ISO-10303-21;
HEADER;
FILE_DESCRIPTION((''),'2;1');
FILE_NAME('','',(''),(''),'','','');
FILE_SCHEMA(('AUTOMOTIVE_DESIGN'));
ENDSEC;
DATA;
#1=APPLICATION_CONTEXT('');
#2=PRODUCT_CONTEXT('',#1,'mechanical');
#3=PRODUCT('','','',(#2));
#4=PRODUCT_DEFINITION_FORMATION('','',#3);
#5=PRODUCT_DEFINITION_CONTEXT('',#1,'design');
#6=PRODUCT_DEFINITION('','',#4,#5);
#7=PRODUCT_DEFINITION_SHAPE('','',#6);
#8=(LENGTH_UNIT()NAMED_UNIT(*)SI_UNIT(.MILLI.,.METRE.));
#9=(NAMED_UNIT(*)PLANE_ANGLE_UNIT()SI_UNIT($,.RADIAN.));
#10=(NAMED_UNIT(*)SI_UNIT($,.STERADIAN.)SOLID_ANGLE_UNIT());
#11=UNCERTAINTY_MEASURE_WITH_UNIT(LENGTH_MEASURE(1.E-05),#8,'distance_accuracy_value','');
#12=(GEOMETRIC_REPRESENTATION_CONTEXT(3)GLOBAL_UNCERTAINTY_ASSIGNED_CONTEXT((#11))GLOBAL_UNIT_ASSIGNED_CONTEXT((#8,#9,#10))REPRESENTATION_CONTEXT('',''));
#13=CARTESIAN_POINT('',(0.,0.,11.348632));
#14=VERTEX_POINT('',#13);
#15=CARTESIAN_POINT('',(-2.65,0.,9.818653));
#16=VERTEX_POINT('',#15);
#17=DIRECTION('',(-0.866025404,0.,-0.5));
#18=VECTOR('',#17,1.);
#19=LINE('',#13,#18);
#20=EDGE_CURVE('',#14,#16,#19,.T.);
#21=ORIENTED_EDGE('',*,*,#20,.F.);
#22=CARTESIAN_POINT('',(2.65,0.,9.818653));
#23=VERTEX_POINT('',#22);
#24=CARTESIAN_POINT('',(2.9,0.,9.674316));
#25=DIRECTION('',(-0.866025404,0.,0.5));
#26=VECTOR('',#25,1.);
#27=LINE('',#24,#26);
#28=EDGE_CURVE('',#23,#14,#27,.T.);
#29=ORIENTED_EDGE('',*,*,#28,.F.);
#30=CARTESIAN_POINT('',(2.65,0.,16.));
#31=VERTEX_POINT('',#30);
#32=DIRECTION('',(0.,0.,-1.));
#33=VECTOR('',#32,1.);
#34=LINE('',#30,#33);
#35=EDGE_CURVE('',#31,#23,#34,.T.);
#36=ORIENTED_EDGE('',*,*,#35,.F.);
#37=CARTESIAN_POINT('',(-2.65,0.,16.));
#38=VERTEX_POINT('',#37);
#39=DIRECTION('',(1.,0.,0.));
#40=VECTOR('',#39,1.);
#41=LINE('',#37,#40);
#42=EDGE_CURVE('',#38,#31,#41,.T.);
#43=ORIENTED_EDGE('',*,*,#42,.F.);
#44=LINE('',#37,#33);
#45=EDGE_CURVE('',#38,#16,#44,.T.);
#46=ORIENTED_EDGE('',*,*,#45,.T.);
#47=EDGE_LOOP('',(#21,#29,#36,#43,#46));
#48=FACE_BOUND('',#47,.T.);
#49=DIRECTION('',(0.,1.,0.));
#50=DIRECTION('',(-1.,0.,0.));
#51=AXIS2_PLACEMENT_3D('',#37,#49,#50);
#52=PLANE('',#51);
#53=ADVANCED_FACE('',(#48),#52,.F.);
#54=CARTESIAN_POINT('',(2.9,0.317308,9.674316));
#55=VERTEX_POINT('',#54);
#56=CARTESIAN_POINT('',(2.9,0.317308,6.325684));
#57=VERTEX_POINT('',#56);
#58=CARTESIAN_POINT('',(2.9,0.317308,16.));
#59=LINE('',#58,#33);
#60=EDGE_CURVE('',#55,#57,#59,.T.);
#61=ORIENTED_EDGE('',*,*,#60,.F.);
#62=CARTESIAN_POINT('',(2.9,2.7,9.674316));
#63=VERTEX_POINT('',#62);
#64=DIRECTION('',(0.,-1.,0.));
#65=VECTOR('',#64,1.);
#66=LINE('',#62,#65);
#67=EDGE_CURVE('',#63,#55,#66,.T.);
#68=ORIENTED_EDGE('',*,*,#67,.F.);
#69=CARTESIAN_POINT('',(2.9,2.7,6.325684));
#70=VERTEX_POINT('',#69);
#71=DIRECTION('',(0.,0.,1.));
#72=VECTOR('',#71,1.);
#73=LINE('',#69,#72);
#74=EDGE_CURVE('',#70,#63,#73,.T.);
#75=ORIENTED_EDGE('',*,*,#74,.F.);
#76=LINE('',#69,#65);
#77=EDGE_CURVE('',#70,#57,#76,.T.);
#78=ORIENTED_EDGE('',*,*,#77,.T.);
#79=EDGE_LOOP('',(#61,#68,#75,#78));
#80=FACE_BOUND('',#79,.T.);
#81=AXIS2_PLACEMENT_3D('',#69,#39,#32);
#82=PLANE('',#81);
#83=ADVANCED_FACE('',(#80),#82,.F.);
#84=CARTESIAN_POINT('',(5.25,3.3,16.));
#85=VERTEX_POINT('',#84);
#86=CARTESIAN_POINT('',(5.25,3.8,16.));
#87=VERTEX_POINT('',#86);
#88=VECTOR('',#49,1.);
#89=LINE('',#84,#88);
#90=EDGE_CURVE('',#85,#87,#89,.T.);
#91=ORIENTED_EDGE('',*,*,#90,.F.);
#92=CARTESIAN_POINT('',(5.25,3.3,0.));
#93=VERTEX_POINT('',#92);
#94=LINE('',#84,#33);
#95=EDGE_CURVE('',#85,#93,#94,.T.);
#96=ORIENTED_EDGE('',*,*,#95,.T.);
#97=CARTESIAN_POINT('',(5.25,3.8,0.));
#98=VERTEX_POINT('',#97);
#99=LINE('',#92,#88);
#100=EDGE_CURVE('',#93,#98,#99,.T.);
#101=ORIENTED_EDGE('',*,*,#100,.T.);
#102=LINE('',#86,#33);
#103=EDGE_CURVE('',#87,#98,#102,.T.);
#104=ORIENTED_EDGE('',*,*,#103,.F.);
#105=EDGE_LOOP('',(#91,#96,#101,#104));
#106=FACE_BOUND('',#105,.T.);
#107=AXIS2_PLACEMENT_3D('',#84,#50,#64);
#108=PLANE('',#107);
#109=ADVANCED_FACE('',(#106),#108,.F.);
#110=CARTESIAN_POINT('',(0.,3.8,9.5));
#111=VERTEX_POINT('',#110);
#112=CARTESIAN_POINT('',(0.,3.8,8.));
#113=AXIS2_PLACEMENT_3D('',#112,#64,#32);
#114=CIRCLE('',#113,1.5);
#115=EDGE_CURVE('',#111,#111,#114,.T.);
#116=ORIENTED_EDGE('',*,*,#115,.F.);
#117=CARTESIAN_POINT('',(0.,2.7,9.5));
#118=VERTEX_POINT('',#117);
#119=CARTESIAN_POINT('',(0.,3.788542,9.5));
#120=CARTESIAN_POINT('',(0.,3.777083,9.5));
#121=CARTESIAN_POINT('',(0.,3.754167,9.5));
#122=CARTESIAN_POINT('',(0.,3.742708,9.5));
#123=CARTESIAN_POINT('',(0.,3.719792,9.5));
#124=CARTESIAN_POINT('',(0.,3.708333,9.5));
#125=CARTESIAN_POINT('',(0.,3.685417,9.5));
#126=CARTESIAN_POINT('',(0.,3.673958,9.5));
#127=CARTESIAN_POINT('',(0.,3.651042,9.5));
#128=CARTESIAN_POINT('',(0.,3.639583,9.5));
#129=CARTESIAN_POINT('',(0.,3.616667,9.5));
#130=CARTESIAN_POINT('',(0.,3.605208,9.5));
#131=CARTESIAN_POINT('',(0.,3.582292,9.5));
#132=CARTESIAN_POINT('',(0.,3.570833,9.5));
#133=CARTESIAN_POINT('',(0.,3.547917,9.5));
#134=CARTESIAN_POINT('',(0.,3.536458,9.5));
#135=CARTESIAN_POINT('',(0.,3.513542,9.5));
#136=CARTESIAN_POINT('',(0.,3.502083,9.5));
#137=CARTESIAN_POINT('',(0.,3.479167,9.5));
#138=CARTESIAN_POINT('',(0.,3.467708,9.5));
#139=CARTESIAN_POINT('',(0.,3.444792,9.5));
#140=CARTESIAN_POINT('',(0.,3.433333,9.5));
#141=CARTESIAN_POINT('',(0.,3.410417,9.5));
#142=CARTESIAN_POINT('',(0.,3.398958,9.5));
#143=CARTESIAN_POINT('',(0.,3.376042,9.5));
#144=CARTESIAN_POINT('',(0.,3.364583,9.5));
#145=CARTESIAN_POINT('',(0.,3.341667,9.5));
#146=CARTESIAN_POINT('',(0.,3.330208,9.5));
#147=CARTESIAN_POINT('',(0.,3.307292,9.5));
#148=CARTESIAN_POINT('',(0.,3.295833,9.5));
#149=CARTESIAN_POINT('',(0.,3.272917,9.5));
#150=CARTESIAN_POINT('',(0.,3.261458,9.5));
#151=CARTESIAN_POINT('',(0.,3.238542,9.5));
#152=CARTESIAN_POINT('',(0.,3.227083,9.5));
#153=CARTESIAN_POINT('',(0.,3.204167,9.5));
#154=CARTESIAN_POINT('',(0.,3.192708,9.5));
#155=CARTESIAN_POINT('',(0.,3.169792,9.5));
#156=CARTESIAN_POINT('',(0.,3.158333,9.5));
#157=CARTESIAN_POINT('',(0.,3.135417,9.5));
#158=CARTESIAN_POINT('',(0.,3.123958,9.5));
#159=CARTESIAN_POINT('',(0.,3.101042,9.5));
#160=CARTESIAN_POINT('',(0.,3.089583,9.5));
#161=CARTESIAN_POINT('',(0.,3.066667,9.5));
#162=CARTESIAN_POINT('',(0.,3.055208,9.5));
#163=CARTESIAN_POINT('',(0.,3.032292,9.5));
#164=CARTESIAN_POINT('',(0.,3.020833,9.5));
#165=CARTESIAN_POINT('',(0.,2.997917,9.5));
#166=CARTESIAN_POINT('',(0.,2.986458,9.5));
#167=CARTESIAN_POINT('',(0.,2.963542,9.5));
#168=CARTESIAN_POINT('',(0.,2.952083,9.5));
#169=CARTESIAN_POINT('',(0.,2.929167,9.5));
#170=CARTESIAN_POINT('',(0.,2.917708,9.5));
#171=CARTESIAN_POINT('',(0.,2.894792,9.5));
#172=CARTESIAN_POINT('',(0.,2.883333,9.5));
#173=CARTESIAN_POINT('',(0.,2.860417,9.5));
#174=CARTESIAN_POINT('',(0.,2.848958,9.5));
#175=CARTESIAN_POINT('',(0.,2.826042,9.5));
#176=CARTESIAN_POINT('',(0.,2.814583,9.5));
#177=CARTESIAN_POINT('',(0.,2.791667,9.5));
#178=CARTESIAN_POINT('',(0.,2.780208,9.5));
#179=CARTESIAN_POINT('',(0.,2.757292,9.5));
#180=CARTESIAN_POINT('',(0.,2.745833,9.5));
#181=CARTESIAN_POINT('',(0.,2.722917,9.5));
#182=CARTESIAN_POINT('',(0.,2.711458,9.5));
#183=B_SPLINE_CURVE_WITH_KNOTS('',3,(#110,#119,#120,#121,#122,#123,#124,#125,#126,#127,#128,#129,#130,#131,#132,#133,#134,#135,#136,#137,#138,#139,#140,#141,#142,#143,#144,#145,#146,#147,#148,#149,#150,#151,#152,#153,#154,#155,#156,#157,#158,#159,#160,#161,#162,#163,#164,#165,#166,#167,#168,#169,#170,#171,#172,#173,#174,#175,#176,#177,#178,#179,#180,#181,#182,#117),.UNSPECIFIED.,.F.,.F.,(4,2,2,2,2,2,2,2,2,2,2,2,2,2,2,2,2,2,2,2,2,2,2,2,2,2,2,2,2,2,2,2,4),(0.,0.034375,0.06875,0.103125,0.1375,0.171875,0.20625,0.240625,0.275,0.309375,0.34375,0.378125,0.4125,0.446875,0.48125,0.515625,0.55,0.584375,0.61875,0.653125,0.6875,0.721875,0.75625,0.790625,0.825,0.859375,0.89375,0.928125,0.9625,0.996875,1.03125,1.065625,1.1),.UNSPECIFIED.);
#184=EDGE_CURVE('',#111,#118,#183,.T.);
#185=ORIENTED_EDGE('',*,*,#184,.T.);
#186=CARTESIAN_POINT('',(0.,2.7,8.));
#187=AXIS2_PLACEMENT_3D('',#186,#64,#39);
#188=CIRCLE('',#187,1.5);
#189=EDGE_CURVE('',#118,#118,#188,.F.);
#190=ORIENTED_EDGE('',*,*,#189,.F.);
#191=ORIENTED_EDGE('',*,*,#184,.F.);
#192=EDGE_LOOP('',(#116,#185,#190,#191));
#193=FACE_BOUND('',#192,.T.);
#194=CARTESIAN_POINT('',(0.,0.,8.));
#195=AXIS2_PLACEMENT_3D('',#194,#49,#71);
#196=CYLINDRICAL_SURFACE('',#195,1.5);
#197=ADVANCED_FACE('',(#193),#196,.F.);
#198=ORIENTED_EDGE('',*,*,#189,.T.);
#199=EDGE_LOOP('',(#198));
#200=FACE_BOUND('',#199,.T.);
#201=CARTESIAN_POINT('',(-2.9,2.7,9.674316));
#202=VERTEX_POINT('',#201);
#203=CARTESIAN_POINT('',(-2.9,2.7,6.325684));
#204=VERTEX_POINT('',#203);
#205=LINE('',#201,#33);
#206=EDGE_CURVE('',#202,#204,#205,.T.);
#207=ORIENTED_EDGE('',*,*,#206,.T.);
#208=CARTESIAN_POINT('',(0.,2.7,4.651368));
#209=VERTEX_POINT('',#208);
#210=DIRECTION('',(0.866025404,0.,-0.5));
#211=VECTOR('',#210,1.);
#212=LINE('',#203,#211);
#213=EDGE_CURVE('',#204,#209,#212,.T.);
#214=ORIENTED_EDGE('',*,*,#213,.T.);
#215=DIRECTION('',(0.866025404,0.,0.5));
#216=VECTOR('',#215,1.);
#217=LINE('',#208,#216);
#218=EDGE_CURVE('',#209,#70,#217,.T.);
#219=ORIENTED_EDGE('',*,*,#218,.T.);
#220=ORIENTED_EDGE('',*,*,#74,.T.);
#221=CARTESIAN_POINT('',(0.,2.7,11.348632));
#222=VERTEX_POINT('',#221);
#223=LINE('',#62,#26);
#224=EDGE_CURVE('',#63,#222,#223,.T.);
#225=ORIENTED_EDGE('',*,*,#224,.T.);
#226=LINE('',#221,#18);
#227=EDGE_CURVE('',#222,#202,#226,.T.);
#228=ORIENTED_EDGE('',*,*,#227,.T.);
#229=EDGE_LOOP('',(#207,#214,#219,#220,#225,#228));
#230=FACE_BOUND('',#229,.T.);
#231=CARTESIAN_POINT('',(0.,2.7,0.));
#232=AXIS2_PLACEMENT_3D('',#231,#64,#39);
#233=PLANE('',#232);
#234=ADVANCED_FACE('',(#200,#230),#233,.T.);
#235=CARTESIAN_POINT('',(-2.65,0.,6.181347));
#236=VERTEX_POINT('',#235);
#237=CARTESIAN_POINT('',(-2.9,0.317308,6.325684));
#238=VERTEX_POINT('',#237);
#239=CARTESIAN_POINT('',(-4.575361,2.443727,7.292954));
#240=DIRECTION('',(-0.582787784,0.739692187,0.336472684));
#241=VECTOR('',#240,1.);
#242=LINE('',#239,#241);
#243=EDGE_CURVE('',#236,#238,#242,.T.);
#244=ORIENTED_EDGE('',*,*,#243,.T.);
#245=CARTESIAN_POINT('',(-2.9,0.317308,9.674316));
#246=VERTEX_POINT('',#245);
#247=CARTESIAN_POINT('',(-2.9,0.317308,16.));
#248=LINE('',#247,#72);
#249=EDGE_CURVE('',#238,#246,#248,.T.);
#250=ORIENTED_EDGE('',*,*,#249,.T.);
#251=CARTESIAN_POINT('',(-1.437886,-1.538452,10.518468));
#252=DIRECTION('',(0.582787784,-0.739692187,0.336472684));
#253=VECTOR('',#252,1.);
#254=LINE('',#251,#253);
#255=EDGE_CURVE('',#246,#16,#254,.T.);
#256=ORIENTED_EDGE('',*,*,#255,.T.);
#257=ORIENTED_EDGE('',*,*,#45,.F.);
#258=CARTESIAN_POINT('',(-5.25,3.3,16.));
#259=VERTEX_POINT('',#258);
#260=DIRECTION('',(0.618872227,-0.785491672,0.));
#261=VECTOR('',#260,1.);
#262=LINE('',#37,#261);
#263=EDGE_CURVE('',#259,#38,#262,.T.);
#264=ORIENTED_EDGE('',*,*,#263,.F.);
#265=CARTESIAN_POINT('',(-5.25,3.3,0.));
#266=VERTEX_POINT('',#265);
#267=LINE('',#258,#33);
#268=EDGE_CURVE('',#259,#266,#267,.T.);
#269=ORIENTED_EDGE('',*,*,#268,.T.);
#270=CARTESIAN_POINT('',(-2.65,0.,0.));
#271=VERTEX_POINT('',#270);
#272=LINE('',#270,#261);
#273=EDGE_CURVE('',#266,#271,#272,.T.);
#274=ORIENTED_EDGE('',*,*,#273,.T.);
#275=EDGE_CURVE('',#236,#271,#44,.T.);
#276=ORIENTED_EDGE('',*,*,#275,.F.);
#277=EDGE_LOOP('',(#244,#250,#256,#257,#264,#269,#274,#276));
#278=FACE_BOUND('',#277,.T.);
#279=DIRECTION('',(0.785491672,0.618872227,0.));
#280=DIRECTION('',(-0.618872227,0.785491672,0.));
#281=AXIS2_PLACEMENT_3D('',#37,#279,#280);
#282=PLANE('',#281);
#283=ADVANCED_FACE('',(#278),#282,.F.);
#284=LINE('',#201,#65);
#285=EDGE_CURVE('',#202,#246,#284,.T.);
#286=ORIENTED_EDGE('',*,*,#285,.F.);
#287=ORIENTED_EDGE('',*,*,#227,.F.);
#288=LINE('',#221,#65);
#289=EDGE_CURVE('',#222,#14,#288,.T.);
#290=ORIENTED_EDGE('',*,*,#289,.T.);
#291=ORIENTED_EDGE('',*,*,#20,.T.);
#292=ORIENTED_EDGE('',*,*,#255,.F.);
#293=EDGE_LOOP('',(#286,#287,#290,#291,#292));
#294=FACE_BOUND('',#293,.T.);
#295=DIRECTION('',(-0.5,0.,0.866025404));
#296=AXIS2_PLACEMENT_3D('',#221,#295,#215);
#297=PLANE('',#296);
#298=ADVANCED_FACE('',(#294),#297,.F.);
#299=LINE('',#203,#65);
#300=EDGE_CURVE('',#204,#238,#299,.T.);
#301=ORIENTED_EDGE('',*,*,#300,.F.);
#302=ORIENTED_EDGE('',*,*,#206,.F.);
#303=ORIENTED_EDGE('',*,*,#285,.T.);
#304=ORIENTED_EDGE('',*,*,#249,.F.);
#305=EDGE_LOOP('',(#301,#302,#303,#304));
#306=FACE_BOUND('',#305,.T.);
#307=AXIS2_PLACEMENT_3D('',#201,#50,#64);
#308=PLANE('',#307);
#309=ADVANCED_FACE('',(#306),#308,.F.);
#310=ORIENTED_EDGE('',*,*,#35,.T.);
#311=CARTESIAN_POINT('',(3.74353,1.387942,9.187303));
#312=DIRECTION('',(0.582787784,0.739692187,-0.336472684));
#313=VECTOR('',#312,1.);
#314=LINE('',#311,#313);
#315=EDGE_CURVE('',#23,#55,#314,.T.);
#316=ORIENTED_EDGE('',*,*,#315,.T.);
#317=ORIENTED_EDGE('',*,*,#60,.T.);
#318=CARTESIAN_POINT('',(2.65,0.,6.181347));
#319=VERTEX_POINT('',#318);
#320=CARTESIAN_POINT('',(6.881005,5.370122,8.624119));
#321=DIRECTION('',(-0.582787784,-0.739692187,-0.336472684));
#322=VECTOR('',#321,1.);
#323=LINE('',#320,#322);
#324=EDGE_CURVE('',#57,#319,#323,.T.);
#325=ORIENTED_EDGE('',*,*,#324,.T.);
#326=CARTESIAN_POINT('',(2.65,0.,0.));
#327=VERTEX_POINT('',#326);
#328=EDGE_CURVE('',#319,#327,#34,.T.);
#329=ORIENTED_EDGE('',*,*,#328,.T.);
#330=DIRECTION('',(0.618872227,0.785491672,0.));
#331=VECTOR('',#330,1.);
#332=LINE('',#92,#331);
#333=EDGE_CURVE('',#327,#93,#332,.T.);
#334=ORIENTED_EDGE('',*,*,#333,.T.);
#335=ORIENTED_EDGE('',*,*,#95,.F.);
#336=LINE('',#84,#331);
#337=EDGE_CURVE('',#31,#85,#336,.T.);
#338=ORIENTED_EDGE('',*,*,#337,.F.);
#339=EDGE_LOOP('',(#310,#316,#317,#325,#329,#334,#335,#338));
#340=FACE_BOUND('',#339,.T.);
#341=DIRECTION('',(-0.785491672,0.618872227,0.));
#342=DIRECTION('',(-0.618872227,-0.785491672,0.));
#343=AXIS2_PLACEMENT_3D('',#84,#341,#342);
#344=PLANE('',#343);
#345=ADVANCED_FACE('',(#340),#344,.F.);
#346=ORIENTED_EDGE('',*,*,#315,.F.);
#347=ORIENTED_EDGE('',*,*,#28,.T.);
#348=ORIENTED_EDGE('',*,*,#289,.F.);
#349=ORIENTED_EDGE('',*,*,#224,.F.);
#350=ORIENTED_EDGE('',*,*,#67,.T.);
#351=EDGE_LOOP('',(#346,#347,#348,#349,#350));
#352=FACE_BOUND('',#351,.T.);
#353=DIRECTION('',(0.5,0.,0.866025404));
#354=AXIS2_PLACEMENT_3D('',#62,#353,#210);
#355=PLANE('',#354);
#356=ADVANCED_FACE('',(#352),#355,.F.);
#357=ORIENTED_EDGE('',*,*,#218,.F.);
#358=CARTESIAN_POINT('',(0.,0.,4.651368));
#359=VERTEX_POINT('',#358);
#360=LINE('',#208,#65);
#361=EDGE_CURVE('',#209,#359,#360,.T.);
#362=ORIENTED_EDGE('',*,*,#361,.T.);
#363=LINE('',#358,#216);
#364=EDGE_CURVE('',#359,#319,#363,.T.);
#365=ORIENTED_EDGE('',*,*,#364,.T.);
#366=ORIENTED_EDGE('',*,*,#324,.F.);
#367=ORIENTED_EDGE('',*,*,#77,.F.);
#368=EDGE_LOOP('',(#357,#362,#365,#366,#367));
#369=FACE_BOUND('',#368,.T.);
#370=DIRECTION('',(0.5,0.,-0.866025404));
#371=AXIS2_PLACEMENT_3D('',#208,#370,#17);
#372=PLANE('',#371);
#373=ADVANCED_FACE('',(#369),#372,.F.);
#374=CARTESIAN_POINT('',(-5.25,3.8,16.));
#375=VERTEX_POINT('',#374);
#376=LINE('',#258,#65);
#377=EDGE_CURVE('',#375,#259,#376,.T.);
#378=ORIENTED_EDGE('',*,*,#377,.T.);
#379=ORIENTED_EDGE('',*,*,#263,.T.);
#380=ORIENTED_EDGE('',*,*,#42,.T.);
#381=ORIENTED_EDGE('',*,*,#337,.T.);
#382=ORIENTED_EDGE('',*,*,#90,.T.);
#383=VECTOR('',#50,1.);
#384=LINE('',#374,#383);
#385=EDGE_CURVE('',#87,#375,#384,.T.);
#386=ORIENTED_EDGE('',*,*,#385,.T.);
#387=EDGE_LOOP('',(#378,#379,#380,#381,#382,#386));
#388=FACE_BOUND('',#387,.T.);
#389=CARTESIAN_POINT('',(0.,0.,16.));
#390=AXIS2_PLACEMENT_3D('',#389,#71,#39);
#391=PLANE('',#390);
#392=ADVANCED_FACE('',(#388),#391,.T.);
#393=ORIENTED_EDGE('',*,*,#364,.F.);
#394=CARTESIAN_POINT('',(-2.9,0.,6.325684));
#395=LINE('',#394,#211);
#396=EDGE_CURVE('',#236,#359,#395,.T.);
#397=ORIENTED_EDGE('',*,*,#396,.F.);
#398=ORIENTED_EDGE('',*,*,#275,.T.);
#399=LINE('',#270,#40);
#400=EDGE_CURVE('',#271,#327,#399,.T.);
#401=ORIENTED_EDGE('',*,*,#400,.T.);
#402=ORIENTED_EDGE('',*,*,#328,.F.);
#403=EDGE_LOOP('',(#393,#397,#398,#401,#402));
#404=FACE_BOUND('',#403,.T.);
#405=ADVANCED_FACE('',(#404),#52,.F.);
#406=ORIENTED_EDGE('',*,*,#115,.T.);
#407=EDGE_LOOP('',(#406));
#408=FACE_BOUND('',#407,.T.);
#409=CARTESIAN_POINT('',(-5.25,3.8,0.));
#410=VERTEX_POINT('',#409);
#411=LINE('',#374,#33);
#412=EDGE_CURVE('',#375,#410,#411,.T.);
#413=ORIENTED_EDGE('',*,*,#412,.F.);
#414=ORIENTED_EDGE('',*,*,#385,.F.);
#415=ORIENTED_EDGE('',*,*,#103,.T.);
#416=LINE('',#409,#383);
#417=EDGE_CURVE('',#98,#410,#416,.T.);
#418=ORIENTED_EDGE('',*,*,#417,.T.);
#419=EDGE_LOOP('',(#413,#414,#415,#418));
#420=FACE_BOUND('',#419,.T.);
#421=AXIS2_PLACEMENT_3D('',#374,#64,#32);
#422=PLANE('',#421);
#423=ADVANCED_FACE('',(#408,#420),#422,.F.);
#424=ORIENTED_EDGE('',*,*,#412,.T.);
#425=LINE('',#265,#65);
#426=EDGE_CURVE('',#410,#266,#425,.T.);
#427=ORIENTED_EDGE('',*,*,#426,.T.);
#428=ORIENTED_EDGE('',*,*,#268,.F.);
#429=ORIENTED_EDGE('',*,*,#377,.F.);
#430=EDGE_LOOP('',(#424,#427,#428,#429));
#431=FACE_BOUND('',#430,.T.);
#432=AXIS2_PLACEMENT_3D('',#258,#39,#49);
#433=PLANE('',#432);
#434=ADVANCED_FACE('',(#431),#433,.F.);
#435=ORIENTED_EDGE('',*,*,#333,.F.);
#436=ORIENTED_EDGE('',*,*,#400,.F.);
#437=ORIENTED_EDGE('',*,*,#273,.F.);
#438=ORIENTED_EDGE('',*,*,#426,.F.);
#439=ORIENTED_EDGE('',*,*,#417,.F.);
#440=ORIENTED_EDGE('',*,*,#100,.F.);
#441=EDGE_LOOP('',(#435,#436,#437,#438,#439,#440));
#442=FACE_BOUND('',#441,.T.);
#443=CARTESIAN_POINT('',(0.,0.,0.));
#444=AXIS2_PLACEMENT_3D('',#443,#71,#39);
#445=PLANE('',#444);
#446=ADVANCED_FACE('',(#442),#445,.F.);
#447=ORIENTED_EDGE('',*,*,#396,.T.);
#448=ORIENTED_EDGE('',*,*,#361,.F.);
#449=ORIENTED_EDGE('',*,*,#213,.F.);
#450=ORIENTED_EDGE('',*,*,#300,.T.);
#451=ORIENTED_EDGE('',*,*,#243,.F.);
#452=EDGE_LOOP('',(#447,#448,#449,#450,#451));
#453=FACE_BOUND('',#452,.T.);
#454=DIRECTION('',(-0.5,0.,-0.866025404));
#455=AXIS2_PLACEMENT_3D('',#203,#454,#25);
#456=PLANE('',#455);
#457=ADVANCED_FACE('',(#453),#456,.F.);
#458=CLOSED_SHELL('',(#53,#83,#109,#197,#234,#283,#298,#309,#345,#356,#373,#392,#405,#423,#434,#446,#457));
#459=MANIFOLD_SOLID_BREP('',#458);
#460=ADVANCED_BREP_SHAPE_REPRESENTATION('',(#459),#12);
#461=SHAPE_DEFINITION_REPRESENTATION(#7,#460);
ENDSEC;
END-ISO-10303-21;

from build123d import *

# Parameters (mm, degrees)
RESSALTO_EXTRUS_O1_DEPTH   = 16
CORTE_EXTRUS_O1_DEPTH      = 18.262748912
CORTE_EXTRUS_O1_DEPTH_BACK = 18.262748912
ESBO_O2_R                  = 1.5
CORTE_EXTRUS_O2_DEPTH      = 2.7


with BuildPart() as part:
    # Esboço1 → Ressalto-extrusão1 (new body)
    with BuildSketch(Plane.XY):
        Polygon((-2.65, 0), (2.65, 0), (5.25, 3.3), (5.25, 3.8), (-5.25, 3.8), (-5.25, 3.3), align=None)
    extrude(amount=RESSALTO_EXTRUS_O1_DEPTH)

    # Esboço2 → Corte-extrusão1 (cut, two sides: drawn at the far end of the back side and taken through both)
    with BuildSketch(Plane(origin=(0, 3.8, 0), x_dir=(1, 0, 0), z_dir=(0, 1, 0)).offset(-CORTE_EXTRUS_O1_DEPTH_BACK)):
        with Locations(Location((0, -8, 0), (0, 0, 270))):
            Circle(ESBO_O2_R)
    extrude(amount=CORTE_EXTRUS_O1_DEPTH + CORTE_EXTRUS_O1_DEPTH_BACK, mode=Mode.SUBTRACT)

    # Esboço3 → Corte-extrusão2 (cut)
    with BuildSketch(Plane.XZ):
        Polygon((0, 11.348631561), (-2.9, 9.674315781), (-2.9, 6.325684219), (0, 4.651368439), (2.9, 6.325684219), (2.9, 9.674315781), align=None)
    extrude(amount=-CORTE_EXTRUS_O2_DEPTH, mode=Mode.SUBTRACT)


solid = part.part
